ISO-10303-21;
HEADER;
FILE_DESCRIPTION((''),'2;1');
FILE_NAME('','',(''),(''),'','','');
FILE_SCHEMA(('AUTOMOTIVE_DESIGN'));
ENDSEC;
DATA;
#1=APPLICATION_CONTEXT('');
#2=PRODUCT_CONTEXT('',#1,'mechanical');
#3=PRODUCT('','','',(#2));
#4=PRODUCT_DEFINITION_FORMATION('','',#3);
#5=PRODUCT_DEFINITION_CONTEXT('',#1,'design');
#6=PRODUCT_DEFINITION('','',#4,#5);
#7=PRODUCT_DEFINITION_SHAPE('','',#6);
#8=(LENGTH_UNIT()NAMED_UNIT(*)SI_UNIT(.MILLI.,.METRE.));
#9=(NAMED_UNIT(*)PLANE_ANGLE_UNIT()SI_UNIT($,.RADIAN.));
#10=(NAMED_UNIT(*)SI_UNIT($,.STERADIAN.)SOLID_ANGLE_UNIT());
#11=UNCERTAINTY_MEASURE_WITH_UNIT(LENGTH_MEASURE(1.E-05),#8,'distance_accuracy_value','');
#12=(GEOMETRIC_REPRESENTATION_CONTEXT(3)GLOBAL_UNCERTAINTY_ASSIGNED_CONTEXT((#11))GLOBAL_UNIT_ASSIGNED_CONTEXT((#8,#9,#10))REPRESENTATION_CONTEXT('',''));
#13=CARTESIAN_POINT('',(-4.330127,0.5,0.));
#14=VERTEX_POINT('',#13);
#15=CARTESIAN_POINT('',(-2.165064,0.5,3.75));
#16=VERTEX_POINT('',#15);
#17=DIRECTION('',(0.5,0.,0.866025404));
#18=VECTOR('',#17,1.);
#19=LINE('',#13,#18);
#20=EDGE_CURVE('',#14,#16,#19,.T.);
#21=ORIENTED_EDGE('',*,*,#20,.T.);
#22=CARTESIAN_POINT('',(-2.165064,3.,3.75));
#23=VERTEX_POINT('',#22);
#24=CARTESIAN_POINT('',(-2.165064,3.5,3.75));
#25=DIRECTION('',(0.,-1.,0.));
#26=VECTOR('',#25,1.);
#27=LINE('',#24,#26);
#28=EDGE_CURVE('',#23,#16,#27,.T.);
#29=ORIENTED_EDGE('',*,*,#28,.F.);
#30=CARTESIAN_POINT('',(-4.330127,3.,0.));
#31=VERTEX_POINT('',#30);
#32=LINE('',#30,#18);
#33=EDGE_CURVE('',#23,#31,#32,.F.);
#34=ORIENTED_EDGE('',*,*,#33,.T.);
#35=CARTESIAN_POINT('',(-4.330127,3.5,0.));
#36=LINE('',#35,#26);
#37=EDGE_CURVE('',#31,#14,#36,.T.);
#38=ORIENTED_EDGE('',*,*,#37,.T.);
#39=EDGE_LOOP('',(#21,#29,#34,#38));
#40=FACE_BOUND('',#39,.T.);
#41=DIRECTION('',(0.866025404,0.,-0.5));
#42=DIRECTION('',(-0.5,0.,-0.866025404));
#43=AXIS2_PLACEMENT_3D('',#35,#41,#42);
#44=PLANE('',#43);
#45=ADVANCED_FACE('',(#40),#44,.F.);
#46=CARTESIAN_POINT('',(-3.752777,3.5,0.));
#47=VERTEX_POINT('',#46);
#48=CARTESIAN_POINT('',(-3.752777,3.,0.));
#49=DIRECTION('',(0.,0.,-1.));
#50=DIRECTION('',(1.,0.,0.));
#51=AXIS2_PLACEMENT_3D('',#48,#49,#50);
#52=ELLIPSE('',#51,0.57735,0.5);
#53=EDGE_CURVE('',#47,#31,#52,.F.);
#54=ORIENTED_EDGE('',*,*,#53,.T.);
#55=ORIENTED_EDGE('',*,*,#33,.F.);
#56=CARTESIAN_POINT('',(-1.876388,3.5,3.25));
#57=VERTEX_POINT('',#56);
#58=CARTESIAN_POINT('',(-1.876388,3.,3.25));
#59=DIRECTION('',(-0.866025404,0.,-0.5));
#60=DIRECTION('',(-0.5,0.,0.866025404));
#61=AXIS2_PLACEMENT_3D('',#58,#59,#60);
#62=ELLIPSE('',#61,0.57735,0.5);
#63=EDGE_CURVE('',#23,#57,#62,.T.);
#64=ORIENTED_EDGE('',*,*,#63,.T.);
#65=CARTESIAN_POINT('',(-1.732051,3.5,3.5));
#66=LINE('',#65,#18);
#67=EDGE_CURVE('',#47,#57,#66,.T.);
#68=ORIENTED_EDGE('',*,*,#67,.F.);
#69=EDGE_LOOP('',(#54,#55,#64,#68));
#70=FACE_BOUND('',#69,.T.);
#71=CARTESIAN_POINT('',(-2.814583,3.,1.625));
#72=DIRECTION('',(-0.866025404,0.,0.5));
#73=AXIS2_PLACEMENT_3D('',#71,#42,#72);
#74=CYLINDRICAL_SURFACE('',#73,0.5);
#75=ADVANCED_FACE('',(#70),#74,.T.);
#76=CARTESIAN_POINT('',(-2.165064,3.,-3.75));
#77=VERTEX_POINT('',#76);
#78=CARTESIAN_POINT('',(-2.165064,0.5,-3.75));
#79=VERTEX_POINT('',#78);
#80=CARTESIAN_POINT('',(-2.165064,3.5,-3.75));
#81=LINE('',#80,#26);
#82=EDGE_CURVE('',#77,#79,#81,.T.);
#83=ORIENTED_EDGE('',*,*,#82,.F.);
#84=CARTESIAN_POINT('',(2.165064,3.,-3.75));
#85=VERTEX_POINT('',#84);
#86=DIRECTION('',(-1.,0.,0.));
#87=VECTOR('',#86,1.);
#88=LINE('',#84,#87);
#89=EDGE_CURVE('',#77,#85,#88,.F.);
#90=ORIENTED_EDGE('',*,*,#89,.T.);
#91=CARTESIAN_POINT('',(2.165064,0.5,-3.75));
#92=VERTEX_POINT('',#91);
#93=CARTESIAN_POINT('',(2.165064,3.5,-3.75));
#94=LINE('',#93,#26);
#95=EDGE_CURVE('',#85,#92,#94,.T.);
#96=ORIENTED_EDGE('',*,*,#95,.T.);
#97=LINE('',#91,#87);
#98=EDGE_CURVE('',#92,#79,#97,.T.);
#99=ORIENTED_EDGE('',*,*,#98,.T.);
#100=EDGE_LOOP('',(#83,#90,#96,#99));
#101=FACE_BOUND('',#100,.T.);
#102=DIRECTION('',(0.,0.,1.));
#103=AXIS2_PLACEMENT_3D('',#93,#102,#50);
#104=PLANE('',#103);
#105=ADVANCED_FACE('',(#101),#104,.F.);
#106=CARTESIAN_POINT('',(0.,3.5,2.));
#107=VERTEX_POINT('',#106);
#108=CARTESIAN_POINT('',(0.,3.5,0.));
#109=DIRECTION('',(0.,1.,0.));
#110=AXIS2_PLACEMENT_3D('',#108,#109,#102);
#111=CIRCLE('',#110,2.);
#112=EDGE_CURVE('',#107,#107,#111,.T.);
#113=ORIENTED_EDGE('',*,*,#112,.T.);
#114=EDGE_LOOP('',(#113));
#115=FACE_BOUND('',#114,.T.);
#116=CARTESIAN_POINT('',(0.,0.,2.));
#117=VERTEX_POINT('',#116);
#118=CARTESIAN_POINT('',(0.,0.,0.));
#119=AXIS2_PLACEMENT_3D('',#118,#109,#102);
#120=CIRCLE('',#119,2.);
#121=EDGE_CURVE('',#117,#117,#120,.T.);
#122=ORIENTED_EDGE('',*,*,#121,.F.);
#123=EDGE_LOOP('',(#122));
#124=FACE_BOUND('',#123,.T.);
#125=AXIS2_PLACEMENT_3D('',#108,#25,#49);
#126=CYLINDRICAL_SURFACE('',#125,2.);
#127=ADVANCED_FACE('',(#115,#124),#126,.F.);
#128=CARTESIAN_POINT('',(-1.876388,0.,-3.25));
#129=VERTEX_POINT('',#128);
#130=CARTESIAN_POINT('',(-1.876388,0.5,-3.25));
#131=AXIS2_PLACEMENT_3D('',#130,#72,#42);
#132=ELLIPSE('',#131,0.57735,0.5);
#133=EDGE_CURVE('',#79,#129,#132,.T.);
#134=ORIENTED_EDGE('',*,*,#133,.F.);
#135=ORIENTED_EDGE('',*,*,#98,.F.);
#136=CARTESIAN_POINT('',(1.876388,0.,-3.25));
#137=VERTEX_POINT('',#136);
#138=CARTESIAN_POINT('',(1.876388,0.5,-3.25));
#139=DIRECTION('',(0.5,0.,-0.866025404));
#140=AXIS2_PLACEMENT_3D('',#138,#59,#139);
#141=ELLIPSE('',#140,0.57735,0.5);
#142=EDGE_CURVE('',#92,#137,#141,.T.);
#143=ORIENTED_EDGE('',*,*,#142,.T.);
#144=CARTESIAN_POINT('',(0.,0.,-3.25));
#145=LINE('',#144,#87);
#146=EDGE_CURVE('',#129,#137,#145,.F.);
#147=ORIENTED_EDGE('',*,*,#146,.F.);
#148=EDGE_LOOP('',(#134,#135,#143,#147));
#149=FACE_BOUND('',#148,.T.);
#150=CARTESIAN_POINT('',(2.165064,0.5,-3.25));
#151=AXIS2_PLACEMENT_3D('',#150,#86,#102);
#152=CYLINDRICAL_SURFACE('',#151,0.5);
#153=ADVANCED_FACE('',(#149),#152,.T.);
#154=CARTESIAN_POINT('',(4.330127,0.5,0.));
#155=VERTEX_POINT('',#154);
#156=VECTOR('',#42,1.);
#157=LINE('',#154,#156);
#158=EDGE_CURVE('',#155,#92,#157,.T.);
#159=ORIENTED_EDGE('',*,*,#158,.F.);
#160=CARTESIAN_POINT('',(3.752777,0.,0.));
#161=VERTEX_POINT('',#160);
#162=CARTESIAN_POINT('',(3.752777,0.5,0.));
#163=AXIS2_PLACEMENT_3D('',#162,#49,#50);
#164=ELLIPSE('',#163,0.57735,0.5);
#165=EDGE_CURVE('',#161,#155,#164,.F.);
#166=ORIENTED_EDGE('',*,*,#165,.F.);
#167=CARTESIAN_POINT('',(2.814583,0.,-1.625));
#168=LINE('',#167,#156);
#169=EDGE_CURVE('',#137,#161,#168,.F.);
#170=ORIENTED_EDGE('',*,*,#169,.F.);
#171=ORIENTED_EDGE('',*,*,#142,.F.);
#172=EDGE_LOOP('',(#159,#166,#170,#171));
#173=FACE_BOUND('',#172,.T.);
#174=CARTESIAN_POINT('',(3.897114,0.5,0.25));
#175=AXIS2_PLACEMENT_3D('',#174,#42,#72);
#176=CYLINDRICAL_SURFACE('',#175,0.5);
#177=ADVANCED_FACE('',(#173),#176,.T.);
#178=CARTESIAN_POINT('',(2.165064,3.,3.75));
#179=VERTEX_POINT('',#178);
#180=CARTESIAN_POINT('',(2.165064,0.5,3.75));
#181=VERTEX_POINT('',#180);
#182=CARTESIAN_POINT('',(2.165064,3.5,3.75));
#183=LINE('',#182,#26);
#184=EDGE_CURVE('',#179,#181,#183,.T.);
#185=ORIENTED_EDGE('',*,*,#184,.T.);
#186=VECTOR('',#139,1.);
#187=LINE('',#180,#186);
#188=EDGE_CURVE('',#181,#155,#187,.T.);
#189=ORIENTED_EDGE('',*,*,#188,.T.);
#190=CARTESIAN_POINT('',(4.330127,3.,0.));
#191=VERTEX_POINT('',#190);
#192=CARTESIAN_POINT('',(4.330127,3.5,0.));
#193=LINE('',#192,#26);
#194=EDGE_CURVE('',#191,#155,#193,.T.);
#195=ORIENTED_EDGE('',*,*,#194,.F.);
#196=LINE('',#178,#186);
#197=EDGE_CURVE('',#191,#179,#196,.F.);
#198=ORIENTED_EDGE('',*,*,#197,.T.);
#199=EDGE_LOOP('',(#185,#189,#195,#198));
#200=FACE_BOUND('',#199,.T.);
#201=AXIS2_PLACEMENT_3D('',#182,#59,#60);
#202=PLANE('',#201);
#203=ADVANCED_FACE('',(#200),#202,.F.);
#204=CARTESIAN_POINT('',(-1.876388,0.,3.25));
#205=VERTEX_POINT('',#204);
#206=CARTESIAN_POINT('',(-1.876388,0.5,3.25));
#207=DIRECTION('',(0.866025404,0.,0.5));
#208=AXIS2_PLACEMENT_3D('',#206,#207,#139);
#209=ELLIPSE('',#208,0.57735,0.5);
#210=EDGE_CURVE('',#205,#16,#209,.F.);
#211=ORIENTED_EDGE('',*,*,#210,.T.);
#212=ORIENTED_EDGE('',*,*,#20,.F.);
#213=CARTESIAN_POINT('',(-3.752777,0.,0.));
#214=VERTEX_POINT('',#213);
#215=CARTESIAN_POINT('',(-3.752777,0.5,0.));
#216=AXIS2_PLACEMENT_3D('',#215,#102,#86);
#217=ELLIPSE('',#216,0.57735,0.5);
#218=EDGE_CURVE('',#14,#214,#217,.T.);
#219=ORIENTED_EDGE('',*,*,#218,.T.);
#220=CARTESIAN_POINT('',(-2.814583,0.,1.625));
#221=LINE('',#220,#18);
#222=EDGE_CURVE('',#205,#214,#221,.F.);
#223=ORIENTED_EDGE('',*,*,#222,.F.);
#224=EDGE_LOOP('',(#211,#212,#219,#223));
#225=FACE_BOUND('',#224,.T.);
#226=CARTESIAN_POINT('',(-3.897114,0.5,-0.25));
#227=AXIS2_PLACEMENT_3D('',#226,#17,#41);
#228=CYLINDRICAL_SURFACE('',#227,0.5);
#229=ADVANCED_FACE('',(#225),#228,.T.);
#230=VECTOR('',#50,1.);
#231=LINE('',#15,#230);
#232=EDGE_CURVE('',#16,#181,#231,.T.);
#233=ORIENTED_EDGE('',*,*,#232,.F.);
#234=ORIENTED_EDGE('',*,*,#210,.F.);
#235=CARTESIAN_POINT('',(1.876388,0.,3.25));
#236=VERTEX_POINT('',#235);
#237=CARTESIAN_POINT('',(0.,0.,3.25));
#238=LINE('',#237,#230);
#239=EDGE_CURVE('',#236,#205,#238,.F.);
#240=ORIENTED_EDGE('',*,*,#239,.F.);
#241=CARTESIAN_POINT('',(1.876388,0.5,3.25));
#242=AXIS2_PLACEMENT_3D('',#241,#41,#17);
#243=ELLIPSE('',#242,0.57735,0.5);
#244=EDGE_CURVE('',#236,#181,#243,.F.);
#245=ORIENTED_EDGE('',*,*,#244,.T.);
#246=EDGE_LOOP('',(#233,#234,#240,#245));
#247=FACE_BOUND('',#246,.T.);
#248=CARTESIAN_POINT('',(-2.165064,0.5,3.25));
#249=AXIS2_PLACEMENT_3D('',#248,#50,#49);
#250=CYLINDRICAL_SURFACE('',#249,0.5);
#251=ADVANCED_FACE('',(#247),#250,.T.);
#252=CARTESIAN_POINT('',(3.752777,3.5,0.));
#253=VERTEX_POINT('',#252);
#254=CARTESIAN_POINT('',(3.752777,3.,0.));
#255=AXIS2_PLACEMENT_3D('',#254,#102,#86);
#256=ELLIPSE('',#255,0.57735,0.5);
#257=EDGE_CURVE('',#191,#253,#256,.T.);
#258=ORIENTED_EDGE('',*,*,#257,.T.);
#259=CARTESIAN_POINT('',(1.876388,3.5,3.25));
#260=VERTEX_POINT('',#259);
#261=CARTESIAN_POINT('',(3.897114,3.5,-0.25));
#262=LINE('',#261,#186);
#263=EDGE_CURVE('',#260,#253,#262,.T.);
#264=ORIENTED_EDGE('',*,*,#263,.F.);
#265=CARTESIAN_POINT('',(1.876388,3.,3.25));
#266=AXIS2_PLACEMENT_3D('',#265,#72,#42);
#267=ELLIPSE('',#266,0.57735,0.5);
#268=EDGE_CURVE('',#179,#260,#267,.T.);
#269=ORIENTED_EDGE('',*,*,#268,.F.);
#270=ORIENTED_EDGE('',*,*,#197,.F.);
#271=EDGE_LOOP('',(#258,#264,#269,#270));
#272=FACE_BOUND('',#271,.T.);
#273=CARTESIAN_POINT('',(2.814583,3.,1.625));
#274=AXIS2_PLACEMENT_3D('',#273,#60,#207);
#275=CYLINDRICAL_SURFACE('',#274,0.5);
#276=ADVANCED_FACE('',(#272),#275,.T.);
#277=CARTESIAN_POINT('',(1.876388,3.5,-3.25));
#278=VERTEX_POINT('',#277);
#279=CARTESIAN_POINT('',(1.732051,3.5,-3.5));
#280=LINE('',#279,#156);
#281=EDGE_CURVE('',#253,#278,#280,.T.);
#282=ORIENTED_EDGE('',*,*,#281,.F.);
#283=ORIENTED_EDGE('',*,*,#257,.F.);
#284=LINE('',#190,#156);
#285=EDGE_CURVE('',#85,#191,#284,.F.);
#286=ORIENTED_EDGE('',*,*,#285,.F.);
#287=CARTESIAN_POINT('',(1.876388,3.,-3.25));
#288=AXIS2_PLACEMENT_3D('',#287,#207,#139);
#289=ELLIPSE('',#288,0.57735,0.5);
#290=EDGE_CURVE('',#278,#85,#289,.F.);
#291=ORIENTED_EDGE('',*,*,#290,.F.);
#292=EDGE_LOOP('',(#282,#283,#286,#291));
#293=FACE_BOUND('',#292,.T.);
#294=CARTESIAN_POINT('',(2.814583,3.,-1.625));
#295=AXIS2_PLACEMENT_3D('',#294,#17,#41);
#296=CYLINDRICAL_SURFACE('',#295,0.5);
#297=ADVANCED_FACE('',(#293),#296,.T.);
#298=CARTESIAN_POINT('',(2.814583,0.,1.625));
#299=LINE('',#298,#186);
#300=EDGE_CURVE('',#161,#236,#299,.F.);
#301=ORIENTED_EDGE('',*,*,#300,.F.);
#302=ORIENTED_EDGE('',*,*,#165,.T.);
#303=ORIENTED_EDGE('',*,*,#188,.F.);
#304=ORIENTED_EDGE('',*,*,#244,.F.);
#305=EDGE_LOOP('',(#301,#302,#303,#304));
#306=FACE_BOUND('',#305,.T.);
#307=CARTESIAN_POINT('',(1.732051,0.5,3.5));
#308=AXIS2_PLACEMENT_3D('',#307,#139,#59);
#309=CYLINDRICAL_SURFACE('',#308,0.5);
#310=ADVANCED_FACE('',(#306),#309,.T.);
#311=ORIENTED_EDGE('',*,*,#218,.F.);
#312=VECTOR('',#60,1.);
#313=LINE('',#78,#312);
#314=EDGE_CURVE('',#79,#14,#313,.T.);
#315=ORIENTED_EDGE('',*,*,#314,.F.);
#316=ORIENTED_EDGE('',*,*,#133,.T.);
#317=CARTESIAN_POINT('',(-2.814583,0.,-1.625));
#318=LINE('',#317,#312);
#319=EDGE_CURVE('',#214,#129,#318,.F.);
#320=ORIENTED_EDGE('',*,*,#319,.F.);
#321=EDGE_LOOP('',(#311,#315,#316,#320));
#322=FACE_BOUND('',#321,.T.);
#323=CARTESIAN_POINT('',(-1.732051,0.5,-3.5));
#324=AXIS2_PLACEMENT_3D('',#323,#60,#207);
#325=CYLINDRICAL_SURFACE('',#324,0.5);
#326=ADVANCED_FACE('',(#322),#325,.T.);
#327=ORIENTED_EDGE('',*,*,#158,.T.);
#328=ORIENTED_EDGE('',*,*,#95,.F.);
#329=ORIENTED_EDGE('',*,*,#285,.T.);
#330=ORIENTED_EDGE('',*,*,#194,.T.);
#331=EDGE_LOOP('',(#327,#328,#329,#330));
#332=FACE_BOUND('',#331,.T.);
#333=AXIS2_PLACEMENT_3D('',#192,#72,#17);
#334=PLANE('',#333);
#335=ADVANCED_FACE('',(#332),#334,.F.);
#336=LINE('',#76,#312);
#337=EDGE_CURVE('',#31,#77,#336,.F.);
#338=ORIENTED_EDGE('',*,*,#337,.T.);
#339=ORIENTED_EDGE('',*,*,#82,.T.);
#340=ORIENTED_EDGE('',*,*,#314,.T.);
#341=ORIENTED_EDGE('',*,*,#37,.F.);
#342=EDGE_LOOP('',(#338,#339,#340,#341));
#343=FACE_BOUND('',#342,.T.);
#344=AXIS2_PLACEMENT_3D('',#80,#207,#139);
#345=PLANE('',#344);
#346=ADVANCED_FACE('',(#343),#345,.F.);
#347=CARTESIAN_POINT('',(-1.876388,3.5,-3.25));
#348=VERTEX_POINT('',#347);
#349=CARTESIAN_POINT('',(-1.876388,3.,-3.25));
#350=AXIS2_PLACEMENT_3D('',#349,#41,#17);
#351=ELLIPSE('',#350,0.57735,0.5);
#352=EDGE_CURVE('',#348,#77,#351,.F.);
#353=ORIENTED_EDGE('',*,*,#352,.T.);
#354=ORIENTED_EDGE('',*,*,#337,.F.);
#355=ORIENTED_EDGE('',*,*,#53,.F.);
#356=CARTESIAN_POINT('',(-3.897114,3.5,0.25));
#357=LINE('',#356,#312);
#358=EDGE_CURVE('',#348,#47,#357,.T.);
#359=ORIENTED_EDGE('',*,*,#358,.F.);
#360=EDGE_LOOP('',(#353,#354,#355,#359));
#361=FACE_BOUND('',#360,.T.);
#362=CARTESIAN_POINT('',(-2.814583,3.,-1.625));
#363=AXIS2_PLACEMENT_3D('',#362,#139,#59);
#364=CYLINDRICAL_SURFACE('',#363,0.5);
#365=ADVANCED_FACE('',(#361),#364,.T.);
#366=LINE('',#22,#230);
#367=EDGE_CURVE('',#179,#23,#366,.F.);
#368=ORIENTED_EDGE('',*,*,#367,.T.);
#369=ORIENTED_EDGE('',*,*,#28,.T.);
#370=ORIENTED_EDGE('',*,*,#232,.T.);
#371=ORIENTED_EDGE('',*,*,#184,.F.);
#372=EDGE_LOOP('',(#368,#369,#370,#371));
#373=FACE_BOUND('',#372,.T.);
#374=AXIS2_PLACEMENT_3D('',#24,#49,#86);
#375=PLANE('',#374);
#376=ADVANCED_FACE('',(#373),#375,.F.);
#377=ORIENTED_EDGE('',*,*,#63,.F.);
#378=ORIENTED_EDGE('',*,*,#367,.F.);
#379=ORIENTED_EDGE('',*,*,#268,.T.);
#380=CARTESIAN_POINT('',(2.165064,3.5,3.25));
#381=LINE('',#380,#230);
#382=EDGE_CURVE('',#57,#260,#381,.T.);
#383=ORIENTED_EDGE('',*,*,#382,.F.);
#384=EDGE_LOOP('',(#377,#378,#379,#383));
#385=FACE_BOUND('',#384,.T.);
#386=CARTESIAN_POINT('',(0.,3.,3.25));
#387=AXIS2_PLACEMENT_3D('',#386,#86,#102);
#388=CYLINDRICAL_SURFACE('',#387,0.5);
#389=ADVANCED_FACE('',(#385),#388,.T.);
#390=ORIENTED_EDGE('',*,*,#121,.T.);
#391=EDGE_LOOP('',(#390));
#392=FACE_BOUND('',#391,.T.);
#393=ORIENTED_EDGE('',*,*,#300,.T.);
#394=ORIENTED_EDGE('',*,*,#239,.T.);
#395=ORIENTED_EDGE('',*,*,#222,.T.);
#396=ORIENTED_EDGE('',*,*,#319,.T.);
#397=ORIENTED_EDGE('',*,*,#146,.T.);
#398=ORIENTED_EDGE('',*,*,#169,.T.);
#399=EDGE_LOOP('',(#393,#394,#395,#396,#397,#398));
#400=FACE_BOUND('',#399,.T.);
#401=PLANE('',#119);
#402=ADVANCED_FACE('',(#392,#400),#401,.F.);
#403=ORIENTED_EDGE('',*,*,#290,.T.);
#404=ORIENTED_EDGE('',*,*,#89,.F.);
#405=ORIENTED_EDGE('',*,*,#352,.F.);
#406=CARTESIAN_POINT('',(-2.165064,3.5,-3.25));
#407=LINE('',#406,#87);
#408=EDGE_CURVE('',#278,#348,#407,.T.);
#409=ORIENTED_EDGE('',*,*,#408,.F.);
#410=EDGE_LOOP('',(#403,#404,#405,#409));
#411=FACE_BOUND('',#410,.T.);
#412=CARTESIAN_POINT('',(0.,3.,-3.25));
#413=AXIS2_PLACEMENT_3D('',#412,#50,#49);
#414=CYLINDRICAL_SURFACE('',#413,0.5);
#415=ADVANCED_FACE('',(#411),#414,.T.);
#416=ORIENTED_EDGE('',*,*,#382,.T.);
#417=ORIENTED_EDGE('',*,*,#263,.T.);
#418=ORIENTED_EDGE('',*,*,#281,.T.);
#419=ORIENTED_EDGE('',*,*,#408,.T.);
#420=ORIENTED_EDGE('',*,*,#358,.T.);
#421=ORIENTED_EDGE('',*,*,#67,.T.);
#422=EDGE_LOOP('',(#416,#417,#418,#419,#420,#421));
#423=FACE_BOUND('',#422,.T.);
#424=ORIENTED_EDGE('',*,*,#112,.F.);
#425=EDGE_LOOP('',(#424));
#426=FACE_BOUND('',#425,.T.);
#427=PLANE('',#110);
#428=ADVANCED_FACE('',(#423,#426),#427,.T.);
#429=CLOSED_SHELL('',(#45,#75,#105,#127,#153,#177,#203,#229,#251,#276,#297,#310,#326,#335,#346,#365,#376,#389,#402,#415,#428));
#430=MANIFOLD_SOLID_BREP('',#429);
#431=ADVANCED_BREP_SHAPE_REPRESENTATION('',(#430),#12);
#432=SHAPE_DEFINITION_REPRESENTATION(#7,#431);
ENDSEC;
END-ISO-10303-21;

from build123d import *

# Parameters (mm, degrees)
SKETCH1_R           = 2
BOSS_EXTRUDE1_DEPTH = 3.5
FILLET1_R           = 0.5


with BuildPart() as part:
    # Sketch1 → Boss-Extrude1 (new body)
    with BuildSketch(Plane(origin=(0, 0, 0), x_dir=(1, 0, 0), z_dir=(0, 1, 0))):
        Polygon((2.165063509, 3.75), (-2.165063509, 3.75), (-4.330127019, 0), (-2.165063509, -3.75), (2.165063509, -3.75), (4.330127019, 0), align=None)
        with Locations(Location((0, 0, 0), (0, 0, 270))):
            Circle(SKETCH1_R, mode=Mode.SUBTRACT)
    extrude(amount=BOSS_EXTRUDE1_DEPTH)

    # Fillet1
    fillet1_edges = [part.edges().sort_by_distance(p)[0] for p in [
        (-3.247595264, 3.5, -1.875),
        (-3.247595264, 3.5, 1.875),
        (0, 3.5, 3.75),
        (3.247595264, 3.5, 1.875),
        (3.247595264, 3.5, -1.875),
        (3.247595264, 0, 1.875),
        (0, 0, 3.75),
        (-3.247595264, 0, 1.875),
        (-3.247595264, 0, -1.875),
        (0, 0, -3.75),
        (3.247595264, 0, -1.875),
        (0, 3.5, -3.75),
    ]]
    fillet(fillet1_edges, radius=FILLET1_R)


solid = part.part
